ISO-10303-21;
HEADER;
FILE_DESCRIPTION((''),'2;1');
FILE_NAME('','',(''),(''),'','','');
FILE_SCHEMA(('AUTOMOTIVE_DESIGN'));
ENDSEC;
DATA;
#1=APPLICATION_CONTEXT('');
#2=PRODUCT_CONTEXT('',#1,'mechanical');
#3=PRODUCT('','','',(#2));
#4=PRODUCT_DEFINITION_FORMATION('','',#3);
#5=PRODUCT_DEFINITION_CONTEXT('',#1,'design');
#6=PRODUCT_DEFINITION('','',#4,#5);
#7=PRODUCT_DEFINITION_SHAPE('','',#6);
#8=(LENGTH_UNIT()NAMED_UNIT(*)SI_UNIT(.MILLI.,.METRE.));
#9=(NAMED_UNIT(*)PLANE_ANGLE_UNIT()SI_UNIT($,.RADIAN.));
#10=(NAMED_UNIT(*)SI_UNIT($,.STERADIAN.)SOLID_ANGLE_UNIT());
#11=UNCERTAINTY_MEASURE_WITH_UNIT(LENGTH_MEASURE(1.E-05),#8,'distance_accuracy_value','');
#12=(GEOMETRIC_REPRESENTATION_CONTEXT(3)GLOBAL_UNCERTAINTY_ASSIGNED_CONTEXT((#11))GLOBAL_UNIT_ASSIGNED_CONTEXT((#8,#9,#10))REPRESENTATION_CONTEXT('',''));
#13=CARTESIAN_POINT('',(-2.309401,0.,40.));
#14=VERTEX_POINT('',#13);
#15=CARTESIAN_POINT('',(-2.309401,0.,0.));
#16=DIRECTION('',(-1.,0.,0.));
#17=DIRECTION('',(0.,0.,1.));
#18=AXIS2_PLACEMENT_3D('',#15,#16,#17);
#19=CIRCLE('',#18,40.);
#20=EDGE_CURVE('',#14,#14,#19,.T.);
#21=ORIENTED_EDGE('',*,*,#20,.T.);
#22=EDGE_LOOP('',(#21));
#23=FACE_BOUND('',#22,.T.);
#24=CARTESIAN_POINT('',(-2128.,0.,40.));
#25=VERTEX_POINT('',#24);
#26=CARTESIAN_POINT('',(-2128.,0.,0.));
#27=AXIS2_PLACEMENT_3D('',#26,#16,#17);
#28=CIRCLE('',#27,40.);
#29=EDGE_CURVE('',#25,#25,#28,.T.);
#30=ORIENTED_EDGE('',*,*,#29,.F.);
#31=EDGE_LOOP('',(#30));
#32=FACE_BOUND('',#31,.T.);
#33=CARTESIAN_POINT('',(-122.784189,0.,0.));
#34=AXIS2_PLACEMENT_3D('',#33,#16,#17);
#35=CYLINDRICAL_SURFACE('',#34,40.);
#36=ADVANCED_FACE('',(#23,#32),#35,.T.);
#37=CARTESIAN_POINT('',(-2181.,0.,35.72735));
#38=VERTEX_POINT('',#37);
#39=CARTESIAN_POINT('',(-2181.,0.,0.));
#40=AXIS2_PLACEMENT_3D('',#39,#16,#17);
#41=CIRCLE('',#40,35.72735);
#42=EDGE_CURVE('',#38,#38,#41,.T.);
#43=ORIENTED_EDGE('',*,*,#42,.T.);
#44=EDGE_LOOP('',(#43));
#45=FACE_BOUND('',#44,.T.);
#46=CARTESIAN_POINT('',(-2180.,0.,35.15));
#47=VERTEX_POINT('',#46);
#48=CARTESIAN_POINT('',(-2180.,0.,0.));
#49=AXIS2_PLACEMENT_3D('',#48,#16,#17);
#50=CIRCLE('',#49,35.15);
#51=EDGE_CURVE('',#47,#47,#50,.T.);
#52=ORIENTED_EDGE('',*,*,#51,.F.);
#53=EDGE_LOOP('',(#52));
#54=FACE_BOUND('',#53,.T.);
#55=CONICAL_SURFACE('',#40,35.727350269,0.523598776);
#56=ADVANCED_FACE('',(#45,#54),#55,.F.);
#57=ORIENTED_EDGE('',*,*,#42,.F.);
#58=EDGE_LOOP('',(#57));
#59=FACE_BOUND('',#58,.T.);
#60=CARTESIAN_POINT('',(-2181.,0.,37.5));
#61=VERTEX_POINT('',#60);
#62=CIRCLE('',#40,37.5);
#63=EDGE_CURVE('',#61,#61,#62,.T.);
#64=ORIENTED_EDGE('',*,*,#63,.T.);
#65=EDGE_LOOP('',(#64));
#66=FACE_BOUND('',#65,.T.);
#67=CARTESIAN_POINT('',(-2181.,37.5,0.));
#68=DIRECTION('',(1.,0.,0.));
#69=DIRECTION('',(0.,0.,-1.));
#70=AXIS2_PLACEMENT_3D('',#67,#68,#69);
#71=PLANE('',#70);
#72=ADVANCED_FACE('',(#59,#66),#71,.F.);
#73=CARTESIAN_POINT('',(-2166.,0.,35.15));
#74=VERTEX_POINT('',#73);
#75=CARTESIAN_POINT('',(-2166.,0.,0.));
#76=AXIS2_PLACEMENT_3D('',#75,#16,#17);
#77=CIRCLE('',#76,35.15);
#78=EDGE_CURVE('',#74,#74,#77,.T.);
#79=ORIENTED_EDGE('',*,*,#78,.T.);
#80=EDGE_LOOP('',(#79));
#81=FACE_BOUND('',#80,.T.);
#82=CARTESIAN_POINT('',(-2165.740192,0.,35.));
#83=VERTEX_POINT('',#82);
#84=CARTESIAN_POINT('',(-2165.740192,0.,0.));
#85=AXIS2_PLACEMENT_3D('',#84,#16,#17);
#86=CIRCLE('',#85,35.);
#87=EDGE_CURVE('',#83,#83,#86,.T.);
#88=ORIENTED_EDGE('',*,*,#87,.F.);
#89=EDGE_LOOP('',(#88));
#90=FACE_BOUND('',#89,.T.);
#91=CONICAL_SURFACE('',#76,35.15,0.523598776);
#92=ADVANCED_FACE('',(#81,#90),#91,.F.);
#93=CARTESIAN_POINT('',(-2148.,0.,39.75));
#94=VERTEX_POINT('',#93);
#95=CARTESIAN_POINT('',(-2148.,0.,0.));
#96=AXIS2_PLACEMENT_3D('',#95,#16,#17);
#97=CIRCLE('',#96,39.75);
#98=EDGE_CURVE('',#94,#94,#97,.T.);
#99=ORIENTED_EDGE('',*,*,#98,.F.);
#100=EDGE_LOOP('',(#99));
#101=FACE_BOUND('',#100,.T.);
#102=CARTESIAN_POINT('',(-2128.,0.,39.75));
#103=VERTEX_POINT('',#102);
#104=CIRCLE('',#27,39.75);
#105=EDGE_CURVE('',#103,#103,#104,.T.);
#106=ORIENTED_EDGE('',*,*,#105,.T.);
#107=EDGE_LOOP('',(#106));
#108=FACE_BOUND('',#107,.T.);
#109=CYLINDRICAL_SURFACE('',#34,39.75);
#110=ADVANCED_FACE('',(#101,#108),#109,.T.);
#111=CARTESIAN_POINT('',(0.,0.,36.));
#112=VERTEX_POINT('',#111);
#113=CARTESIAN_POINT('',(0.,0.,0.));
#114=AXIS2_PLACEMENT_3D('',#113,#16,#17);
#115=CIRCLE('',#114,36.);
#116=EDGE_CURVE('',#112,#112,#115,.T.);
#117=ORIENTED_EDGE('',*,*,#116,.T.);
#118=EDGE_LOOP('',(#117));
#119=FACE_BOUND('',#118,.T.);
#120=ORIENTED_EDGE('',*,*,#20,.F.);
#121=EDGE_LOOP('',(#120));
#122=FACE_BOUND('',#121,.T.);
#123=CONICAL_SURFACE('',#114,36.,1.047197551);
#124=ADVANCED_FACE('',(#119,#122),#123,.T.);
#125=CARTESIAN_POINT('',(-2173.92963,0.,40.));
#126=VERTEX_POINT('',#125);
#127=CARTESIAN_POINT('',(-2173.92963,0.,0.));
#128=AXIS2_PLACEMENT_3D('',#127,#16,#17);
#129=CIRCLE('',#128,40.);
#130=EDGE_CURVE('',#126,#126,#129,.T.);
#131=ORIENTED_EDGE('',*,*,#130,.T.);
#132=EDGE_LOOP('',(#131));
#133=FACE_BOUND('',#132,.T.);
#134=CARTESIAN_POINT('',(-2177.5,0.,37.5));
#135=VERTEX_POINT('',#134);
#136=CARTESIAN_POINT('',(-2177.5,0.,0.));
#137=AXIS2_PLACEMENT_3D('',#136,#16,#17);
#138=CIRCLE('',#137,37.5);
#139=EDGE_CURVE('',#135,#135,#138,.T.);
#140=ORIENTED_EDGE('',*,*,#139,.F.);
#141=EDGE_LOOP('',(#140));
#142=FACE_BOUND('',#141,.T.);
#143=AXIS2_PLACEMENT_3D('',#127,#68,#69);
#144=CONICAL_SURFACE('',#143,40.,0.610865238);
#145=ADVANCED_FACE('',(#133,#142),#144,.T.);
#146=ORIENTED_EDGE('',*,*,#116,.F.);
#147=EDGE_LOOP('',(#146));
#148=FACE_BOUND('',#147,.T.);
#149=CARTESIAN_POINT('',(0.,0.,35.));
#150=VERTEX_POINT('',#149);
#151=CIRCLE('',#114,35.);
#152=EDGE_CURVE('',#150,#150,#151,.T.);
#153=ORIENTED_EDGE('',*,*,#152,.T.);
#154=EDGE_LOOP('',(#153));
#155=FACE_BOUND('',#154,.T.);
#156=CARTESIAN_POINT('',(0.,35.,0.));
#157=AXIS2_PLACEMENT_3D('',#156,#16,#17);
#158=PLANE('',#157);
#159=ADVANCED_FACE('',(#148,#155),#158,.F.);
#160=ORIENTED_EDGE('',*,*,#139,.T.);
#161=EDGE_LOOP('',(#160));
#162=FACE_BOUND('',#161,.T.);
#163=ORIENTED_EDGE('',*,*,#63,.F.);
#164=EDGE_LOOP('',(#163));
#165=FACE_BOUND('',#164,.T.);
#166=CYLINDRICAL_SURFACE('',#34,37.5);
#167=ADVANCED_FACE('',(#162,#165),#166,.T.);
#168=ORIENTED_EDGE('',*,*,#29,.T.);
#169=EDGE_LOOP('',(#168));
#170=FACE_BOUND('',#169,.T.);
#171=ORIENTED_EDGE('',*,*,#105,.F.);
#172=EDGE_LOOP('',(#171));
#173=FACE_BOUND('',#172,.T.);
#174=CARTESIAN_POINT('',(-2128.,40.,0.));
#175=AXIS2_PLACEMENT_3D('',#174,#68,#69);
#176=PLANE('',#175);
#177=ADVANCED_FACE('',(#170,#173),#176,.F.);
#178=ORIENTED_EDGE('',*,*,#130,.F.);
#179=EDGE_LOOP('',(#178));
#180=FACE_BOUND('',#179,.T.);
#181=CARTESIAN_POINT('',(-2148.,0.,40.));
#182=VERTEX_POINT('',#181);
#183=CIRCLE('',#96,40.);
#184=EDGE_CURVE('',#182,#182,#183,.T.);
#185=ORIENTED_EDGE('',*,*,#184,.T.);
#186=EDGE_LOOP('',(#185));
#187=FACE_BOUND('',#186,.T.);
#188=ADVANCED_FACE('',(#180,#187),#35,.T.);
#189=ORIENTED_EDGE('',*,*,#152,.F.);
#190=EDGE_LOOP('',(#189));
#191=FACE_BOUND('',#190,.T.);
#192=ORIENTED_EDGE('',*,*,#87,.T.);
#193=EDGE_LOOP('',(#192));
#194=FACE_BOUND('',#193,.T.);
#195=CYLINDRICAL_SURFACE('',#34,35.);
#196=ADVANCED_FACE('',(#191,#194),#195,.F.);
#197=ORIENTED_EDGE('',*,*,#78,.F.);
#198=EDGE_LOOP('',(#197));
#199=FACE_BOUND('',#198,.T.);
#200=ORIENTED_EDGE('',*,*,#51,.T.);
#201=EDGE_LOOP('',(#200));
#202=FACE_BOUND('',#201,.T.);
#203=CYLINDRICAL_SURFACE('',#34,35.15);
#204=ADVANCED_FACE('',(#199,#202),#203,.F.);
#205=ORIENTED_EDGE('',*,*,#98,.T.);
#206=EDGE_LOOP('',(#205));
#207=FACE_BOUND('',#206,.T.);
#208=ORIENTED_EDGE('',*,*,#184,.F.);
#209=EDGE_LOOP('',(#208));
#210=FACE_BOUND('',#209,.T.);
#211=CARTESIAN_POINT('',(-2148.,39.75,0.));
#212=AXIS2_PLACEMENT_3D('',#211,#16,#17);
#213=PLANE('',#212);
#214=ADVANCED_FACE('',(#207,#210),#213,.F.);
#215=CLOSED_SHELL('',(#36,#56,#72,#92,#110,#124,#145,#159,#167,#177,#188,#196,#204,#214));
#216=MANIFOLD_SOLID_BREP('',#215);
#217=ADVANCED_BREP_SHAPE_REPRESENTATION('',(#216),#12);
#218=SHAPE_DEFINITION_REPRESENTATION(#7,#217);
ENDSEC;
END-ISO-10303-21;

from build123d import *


with BuildPart() as part:
    # Sketch1 → Base-Revolve (revolve)
    with BuildSketch(Plane.XY):
        Polygon((0, 35), (0, 36), (-2.309401077, 40), (-2128, 40), (-2128, 39.75), (-2148, 39.75), (-2148, 40), (-2173.929629983, 40), (-2177.5, 37.5), (-2181, 37.5), (-2181, 35.727350269), (-2180, 35.15), (-2166, 35.15), (-2165.740192379, 35), align=None)
    revolve(axis=Axis((-122.784188742, 0, 0), (1, 0, 0)))


solid = part.part
